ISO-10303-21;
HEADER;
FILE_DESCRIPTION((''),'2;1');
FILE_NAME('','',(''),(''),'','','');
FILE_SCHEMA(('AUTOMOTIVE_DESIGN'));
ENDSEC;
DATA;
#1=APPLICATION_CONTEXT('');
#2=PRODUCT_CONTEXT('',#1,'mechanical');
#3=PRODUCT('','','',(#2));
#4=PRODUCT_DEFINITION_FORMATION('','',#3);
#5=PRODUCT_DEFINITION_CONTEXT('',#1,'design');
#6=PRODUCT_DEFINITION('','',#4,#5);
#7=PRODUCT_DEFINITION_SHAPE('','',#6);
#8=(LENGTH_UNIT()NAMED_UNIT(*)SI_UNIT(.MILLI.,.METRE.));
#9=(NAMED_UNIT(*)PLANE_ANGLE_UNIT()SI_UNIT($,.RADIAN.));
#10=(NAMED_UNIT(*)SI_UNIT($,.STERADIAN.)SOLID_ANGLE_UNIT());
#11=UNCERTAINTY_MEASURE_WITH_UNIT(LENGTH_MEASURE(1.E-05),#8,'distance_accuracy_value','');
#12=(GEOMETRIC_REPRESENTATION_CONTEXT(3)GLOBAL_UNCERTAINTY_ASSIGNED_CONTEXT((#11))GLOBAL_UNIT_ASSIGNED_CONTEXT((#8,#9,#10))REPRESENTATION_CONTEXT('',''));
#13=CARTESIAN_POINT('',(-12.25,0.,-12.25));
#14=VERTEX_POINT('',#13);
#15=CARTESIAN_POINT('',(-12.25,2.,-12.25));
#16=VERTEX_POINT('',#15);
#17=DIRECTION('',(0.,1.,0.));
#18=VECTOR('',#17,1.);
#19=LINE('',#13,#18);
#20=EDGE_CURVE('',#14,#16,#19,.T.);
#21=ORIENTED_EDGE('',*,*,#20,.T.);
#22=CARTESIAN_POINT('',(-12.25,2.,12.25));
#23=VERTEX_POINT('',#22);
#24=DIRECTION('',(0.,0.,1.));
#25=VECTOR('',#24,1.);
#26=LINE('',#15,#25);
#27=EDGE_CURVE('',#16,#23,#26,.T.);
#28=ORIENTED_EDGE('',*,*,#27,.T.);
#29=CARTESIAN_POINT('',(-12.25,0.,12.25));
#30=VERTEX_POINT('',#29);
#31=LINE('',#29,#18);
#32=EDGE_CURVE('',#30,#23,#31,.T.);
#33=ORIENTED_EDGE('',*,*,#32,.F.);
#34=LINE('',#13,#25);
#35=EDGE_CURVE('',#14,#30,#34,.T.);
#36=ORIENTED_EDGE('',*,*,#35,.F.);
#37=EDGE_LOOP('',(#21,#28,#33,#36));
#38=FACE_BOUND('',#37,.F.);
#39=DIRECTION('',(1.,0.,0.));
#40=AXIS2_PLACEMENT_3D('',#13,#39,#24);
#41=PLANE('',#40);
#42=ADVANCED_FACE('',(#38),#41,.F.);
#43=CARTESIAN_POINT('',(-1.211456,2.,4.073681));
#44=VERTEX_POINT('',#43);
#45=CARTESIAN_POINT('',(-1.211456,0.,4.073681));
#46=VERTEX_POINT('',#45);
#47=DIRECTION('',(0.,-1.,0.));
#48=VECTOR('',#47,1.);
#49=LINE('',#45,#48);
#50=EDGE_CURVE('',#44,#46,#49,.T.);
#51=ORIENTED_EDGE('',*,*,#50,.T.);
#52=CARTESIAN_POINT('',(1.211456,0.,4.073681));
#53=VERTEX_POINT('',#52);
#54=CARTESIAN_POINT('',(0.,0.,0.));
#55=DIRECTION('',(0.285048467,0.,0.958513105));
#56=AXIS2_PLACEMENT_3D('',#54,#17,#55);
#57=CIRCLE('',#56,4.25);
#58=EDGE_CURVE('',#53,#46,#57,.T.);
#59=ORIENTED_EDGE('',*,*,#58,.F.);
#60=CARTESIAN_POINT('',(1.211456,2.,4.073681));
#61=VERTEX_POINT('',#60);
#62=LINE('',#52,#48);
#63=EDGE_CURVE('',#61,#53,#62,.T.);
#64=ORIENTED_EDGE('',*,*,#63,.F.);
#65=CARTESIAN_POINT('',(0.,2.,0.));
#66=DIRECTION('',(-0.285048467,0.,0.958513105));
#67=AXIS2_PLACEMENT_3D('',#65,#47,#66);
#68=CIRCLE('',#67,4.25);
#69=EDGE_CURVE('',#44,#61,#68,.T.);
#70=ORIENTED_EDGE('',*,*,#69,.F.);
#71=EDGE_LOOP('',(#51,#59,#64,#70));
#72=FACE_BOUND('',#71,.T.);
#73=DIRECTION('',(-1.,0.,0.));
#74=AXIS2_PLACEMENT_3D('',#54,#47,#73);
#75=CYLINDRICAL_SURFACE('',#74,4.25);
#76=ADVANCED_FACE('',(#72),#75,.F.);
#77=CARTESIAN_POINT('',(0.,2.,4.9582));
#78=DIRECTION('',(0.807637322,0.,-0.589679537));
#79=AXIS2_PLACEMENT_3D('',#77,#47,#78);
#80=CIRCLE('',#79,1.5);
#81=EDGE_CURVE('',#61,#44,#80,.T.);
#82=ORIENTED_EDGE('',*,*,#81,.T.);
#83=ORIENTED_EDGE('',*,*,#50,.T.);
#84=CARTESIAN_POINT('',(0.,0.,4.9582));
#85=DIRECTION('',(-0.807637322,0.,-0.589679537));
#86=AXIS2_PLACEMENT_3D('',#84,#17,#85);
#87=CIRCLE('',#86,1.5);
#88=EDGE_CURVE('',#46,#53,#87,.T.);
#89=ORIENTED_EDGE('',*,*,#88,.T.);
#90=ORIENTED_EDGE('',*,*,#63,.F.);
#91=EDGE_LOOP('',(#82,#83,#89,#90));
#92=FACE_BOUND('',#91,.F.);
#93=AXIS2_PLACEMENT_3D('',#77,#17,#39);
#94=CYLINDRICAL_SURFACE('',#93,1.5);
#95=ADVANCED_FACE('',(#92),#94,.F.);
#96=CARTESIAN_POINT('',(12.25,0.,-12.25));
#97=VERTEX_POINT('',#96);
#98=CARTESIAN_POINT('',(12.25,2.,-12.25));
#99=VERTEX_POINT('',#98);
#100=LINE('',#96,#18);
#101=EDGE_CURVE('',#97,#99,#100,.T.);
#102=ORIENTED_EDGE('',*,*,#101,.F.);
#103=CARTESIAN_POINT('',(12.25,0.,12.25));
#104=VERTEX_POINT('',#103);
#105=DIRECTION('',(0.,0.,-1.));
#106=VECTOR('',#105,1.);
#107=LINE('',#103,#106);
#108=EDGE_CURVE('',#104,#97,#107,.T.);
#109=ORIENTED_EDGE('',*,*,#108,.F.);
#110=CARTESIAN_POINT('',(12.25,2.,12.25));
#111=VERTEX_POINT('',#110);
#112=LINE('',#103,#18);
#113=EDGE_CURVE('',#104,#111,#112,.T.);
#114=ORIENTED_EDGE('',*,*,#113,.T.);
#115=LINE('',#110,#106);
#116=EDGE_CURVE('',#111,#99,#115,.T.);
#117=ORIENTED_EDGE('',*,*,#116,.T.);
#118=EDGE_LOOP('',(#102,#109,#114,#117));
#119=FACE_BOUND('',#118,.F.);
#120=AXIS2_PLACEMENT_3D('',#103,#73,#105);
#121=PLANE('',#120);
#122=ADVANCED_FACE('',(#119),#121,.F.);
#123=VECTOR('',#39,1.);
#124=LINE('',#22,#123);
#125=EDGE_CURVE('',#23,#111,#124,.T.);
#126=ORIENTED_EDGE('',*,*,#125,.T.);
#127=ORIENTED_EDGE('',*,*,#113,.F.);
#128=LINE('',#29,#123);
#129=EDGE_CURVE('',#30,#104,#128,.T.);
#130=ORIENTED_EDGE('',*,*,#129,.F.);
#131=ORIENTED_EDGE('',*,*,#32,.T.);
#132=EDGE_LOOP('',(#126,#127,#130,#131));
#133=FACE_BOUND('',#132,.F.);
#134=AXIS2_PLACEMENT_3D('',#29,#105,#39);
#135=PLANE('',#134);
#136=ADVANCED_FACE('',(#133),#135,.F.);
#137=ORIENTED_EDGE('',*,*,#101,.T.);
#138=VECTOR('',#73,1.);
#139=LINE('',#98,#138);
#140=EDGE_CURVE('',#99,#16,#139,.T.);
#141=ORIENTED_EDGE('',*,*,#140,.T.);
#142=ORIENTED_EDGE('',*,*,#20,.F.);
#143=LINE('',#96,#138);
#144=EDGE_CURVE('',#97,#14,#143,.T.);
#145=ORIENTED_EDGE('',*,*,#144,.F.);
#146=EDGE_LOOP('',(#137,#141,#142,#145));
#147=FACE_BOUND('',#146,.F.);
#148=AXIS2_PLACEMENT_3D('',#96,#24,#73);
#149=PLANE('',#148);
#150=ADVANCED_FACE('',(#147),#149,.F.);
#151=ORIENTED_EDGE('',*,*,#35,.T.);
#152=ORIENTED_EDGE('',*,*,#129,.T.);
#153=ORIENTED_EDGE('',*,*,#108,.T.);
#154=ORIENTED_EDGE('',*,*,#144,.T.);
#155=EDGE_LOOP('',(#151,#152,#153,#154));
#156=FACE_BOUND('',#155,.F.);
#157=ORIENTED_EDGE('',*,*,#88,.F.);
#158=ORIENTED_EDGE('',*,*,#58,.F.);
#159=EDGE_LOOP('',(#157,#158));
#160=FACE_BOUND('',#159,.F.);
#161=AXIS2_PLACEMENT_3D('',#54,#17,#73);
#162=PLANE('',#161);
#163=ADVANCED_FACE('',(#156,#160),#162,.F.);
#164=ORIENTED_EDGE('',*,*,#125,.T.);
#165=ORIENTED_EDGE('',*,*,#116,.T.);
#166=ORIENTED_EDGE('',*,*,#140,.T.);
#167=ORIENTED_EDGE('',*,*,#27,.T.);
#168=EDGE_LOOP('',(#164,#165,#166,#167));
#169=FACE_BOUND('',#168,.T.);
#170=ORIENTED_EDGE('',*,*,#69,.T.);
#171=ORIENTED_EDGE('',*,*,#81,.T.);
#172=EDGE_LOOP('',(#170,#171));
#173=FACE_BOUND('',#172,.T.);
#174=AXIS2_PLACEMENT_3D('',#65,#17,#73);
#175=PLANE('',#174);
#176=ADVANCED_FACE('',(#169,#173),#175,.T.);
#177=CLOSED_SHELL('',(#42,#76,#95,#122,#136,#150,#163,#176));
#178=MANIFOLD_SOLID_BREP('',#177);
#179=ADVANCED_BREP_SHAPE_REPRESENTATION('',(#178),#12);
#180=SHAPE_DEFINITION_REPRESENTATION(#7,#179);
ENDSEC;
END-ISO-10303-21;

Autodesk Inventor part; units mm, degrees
ref_plane "YZ Plane" through (0, 0, 0) normal (1, 0, 0) x (0, 1, 0)
ref_plane "XZ Plane" through (0, 0, 0) normal (0, 1, 0) x (-1, 0, 0)
ref_plane "XY Plane" through (0, 0, 0) normal (0, 0, 1) x (1, 0, 0)
sketch "Sketch1" plane through (0, 0, 0) normal (0, 1, 0) x (-1, 0, 0)
  circle A0 centre (0, 0) radius 4.25
  line L0 (-12.25, -12.25) -> (12.25, -12.25)
  line L1 (12.25, -12.25) -> (12.25, 12.25)
  line L2 (12.25, 12.25) -> (-12.25, 12.25)
  line L3 (-12.25, 12.25) -> (-12.25, -12.25)
  line L4 (-12.25, -12.25) -> (12.25, 12.25) construction
  line L5 (12.25, -12.25) -> (-12.25, 12.25) construction
  dimension "d0" = 24.5
  dimension "d1" = 8.5
extrude "Extrusion1" add sketch "Sketch1" along normal blind 2
sketch "Sketch2" plane through (0, 2, 0) normal (0, 1, 0) x (1, 0, 0)
  circle A0 centre (0, -4.9582) radius 1.5
  point P0 (0, 0)
  dimension "d4" = 3
extrude "Extrusion2" cut sketch "Sketch2" against normal blind 3
equation "\"d5\" = d4"
properties part number "pb_hole" material "Lead"
